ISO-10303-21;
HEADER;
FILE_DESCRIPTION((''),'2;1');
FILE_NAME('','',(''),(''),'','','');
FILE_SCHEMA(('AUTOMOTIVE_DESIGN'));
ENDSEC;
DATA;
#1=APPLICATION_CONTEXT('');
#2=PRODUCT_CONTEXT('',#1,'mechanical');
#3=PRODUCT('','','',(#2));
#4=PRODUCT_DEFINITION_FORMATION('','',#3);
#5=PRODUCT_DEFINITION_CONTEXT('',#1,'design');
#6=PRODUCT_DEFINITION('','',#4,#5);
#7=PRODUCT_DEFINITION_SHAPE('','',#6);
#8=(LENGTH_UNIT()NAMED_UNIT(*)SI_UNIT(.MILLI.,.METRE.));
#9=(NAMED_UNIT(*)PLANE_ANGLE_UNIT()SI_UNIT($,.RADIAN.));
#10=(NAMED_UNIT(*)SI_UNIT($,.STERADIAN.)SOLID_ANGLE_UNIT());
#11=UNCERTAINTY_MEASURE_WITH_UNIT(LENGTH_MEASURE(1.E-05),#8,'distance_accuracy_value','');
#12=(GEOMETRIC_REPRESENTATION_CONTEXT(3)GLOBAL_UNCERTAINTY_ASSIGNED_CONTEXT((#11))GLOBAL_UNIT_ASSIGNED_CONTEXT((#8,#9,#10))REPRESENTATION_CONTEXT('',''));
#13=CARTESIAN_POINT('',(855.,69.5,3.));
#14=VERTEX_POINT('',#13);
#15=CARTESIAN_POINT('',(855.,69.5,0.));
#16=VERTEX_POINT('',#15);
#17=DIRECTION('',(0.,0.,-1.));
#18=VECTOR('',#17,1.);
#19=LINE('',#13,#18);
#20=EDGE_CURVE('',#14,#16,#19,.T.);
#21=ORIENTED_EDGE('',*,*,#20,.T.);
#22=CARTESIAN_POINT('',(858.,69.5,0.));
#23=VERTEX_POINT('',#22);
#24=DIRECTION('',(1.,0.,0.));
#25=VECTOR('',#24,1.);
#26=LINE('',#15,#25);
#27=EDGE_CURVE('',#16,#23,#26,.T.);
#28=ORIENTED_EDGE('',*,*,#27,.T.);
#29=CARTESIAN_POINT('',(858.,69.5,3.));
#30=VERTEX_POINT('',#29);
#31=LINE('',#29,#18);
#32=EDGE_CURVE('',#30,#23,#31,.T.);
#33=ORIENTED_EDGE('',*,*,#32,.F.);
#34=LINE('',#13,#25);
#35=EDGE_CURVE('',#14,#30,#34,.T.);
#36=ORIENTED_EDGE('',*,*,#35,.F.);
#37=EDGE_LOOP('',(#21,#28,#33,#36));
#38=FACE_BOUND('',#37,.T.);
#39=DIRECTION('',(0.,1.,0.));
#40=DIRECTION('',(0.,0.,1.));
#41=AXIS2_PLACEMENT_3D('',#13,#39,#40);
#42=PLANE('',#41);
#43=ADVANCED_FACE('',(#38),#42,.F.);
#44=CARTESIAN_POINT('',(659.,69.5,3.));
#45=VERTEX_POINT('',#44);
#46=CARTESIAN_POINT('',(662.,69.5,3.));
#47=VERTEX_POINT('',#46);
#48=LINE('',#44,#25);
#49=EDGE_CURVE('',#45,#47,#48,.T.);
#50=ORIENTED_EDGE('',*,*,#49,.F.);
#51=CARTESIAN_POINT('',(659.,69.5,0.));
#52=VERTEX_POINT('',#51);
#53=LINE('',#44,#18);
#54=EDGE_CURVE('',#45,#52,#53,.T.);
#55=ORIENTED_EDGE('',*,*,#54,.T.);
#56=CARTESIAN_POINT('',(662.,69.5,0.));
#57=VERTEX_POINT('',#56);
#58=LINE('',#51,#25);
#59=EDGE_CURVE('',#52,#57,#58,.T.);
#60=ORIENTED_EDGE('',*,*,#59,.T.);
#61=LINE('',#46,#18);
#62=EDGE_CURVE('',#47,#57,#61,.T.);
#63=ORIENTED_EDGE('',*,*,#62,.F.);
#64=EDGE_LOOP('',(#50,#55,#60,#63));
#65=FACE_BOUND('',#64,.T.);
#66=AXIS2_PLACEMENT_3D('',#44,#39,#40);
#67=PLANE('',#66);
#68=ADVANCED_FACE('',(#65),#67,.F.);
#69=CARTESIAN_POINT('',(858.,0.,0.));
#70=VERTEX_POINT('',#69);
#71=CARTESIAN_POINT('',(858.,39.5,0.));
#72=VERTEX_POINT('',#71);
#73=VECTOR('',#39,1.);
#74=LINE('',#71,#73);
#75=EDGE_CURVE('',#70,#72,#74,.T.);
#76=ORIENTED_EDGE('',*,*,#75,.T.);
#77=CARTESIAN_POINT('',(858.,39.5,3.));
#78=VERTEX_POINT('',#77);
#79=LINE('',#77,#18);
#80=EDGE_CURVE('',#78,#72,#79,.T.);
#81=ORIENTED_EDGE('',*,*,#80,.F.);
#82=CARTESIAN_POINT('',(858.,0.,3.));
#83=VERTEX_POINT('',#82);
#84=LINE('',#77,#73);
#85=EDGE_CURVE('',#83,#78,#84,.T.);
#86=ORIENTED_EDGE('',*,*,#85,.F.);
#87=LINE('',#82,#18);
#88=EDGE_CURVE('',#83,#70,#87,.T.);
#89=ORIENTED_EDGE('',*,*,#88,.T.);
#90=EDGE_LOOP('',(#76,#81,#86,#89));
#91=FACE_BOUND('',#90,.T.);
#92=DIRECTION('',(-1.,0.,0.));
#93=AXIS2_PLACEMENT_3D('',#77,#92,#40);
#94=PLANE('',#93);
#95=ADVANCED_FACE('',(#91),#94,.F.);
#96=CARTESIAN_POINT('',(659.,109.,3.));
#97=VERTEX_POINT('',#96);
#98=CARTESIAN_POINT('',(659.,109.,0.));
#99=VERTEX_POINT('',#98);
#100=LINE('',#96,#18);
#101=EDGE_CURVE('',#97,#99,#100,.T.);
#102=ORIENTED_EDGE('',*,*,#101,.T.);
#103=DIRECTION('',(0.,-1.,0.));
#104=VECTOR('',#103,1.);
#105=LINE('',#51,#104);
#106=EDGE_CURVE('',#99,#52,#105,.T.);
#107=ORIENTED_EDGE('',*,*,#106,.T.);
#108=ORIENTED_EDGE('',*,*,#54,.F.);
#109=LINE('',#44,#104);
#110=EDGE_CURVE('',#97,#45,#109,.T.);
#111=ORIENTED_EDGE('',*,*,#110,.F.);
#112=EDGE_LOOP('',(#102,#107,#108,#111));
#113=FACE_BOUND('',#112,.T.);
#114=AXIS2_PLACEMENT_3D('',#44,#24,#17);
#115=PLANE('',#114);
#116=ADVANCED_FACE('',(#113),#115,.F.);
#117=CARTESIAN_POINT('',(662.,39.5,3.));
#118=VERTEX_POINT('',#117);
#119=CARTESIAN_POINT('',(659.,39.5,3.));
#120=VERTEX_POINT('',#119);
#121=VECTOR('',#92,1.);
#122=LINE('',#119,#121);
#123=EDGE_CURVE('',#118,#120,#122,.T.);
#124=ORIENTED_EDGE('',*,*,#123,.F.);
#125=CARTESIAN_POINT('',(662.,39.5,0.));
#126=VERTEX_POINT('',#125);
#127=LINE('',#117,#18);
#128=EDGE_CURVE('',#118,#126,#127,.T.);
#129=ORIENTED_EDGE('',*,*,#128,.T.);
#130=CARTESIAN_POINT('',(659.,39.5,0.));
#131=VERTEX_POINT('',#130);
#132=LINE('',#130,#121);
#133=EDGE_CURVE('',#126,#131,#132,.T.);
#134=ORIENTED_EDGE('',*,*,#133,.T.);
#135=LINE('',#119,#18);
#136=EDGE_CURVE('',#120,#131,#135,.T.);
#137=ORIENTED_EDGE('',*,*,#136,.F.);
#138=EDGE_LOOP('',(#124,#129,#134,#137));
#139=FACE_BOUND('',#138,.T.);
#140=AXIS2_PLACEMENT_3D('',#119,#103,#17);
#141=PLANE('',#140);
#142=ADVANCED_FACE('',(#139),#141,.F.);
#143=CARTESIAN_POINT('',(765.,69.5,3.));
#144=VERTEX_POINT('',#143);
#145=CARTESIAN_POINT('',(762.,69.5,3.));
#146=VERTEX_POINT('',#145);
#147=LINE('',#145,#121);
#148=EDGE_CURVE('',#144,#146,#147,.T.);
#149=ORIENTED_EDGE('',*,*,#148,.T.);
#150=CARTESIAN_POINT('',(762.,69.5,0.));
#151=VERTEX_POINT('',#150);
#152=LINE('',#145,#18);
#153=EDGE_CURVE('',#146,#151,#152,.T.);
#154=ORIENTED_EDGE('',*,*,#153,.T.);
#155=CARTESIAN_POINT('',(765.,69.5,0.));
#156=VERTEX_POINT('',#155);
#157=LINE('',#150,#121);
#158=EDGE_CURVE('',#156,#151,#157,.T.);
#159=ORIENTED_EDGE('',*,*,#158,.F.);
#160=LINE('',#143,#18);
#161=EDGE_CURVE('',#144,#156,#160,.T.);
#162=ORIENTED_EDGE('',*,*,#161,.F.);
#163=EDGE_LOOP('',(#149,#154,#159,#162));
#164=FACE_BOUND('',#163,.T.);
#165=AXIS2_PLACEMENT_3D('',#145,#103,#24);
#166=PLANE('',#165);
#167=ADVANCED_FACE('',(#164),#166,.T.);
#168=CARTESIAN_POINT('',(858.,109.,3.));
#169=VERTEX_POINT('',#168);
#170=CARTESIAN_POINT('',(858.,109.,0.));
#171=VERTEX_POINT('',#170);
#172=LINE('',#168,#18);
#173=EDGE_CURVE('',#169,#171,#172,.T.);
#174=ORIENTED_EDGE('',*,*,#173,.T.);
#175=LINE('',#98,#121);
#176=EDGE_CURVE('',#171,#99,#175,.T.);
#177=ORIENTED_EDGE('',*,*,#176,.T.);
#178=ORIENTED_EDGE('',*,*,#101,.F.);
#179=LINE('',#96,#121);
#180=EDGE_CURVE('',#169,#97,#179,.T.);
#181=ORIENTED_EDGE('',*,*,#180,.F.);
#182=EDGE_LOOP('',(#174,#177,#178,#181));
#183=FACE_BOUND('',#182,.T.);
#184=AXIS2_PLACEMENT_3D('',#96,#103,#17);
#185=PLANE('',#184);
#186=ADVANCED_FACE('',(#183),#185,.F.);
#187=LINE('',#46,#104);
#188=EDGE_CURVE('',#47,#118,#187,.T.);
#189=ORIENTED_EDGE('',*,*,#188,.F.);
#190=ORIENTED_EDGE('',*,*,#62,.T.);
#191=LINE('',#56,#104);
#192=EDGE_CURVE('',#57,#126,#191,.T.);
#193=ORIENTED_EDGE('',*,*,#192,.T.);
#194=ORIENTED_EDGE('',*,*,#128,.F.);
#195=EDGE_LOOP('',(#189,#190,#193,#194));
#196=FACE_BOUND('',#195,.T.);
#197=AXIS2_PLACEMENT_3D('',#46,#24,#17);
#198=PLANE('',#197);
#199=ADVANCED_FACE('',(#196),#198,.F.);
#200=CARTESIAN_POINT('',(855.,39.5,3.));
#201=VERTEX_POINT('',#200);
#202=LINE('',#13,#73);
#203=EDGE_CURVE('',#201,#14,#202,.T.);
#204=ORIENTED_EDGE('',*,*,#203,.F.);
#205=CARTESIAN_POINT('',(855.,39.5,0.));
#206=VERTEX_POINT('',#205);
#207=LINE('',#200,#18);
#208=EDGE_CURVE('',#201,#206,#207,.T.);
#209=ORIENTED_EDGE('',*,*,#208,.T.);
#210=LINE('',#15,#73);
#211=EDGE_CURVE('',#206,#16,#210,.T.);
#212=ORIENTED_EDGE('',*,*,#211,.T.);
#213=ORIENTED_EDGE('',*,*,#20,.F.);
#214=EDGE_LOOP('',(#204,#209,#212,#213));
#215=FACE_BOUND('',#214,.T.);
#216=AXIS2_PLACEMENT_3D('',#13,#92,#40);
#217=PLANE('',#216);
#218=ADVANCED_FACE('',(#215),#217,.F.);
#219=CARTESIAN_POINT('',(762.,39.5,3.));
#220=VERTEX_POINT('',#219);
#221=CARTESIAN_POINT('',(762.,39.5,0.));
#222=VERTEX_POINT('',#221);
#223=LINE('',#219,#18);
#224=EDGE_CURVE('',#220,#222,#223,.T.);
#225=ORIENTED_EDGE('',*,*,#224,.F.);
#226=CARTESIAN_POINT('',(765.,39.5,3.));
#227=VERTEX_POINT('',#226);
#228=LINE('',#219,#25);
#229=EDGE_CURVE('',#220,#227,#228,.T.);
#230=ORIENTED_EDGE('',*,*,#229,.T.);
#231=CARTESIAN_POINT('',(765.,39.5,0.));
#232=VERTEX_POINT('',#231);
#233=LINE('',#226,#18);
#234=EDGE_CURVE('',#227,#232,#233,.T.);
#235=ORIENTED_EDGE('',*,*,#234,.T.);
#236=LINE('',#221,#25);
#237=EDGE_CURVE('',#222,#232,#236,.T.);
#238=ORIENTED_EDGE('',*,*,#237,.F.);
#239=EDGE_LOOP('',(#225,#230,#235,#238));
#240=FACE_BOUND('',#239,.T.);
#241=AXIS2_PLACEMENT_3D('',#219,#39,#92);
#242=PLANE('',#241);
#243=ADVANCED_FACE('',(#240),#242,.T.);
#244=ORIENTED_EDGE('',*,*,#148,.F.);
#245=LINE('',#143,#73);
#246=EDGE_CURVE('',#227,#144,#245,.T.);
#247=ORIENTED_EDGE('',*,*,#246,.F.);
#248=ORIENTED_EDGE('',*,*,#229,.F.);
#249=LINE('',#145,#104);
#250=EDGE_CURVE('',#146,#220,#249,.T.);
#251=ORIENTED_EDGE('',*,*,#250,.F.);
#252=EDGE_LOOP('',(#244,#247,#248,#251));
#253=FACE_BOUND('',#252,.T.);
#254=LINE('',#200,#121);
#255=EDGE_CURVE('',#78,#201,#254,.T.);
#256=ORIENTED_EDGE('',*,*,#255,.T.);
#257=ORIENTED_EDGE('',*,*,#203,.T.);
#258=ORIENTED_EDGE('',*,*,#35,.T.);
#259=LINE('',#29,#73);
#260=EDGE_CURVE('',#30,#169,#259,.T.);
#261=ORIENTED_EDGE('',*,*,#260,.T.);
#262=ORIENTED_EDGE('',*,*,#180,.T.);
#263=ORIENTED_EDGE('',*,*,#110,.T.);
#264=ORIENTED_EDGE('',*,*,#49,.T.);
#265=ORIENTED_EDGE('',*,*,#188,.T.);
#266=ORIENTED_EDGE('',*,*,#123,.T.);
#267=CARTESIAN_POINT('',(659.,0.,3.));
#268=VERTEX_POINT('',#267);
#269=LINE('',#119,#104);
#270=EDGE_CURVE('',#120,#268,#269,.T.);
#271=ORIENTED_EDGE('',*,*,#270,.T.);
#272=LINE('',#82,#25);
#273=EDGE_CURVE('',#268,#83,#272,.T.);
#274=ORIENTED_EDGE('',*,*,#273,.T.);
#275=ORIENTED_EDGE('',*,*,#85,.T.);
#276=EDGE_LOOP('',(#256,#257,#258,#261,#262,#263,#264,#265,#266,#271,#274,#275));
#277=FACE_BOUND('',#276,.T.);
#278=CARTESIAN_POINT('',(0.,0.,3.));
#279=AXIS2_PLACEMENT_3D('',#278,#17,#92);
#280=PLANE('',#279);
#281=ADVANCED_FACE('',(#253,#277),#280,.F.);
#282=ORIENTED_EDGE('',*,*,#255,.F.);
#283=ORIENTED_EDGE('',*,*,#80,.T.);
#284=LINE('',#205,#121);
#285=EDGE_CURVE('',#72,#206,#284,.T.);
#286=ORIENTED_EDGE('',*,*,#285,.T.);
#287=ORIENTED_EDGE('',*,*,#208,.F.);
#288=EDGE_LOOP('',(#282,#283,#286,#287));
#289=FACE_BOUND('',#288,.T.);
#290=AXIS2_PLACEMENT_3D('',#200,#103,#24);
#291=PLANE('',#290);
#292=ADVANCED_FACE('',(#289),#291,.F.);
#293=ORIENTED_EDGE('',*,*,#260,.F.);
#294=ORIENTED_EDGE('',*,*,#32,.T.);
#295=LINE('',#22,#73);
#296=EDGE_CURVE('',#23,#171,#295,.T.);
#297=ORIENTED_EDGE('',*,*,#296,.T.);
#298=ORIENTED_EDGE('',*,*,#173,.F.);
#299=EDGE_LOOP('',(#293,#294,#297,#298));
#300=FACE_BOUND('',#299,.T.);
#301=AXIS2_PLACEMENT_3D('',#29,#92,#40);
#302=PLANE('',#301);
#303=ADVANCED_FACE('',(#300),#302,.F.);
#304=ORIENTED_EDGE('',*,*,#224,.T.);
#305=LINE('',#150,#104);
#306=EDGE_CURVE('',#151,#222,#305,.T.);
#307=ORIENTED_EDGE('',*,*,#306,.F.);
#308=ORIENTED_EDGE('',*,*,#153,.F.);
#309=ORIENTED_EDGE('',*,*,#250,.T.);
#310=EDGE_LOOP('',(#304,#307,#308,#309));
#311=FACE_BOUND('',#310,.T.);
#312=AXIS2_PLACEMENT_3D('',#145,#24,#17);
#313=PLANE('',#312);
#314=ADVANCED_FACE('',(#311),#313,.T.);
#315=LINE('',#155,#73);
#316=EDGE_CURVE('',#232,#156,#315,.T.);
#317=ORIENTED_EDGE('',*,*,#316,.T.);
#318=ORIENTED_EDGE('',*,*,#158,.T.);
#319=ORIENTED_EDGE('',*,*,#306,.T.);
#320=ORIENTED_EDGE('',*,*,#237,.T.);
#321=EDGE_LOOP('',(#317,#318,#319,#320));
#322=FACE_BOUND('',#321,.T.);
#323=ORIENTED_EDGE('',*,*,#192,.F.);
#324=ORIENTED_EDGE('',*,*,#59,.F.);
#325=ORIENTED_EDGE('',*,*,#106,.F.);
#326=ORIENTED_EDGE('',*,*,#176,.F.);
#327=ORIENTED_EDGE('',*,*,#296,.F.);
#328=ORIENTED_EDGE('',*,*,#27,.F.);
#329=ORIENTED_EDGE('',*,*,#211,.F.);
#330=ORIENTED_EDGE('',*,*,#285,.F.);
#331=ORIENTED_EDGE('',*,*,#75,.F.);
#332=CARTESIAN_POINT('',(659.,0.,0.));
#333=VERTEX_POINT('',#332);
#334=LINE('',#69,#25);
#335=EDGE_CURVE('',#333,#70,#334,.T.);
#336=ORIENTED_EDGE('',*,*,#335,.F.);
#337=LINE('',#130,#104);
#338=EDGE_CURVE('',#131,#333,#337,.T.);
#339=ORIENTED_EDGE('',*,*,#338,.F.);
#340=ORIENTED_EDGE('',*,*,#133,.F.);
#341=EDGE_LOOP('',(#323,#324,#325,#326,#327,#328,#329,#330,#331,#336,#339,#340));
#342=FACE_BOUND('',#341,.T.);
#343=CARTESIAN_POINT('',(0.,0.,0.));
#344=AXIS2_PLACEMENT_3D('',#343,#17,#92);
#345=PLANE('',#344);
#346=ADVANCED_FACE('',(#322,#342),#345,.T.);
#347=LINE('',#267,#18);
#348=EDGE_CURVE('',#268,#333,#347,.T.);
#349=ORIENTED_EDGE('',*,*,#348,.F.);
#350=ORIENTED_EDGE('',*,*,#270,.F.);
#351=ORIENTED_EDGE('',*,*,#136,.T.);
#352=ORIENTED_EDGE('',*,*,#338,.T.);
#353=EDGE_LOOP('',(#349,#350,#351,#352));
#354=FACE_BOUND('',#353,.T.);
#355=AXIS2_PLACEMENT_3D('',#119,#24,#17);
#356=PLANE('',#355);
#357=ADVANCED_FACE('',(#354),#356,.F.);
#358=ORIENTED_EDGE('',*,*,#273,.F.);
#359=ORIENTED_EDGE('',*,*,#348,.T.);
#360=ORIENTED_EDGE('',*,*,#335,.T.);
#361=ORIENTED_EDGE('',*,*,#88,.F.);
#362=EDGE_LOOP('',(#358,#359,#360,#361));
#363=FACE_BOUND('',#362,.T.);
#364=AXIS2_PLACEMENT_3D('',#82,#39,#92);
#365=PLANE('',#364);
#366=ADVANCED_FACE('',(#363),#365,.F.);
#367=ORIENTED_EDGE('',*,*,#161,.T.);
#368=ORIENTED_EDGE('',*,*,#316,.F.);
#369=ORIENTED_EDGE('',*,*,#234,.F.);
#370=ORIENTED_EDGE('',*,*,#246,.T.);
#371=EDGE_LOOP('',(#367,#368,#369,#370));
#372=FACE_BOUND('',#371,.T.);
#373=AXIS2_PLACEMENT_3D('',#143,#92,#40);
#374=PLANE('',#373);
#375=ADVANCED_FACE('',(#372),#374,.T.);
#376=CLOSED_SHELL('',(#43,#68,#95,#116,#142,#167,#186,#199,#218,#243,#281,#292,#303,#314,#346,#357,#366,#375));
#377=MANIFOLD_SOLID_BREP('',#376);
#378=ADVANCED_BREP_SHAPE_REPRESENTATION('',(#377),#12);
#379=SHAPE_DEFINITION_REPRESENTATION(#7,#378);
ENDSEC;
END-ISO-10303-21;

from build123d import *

# Parameters (mm, degrees)
SKETCH1_W           = 3
SKETCH1_H           = 30
BOSS_EXTRUDE1_DEPTH = 3


with BuildPart() as part:
    # Sketch1 → Boss-Extrude1 (new body)
    with BuildSketch(Plane.XY):
        Polygon((858, 109), (659, 109), (659, 69.5), (662, 69.5), (662, 39.5), (659, 39.5), (659, 0), (858, 0), (858, 39.5), (855, 39.5), (855, 69.5), (858, 69.5), align=None)
        with Locations((763.5, 54.5)):
            Rectangle(SKETCH1_W, SKETCH1_H, mode=Mode.SUBTRACT)
    extrude(amount=BOSS_EXTRUDE1_DEPTH)


solid = part.part
